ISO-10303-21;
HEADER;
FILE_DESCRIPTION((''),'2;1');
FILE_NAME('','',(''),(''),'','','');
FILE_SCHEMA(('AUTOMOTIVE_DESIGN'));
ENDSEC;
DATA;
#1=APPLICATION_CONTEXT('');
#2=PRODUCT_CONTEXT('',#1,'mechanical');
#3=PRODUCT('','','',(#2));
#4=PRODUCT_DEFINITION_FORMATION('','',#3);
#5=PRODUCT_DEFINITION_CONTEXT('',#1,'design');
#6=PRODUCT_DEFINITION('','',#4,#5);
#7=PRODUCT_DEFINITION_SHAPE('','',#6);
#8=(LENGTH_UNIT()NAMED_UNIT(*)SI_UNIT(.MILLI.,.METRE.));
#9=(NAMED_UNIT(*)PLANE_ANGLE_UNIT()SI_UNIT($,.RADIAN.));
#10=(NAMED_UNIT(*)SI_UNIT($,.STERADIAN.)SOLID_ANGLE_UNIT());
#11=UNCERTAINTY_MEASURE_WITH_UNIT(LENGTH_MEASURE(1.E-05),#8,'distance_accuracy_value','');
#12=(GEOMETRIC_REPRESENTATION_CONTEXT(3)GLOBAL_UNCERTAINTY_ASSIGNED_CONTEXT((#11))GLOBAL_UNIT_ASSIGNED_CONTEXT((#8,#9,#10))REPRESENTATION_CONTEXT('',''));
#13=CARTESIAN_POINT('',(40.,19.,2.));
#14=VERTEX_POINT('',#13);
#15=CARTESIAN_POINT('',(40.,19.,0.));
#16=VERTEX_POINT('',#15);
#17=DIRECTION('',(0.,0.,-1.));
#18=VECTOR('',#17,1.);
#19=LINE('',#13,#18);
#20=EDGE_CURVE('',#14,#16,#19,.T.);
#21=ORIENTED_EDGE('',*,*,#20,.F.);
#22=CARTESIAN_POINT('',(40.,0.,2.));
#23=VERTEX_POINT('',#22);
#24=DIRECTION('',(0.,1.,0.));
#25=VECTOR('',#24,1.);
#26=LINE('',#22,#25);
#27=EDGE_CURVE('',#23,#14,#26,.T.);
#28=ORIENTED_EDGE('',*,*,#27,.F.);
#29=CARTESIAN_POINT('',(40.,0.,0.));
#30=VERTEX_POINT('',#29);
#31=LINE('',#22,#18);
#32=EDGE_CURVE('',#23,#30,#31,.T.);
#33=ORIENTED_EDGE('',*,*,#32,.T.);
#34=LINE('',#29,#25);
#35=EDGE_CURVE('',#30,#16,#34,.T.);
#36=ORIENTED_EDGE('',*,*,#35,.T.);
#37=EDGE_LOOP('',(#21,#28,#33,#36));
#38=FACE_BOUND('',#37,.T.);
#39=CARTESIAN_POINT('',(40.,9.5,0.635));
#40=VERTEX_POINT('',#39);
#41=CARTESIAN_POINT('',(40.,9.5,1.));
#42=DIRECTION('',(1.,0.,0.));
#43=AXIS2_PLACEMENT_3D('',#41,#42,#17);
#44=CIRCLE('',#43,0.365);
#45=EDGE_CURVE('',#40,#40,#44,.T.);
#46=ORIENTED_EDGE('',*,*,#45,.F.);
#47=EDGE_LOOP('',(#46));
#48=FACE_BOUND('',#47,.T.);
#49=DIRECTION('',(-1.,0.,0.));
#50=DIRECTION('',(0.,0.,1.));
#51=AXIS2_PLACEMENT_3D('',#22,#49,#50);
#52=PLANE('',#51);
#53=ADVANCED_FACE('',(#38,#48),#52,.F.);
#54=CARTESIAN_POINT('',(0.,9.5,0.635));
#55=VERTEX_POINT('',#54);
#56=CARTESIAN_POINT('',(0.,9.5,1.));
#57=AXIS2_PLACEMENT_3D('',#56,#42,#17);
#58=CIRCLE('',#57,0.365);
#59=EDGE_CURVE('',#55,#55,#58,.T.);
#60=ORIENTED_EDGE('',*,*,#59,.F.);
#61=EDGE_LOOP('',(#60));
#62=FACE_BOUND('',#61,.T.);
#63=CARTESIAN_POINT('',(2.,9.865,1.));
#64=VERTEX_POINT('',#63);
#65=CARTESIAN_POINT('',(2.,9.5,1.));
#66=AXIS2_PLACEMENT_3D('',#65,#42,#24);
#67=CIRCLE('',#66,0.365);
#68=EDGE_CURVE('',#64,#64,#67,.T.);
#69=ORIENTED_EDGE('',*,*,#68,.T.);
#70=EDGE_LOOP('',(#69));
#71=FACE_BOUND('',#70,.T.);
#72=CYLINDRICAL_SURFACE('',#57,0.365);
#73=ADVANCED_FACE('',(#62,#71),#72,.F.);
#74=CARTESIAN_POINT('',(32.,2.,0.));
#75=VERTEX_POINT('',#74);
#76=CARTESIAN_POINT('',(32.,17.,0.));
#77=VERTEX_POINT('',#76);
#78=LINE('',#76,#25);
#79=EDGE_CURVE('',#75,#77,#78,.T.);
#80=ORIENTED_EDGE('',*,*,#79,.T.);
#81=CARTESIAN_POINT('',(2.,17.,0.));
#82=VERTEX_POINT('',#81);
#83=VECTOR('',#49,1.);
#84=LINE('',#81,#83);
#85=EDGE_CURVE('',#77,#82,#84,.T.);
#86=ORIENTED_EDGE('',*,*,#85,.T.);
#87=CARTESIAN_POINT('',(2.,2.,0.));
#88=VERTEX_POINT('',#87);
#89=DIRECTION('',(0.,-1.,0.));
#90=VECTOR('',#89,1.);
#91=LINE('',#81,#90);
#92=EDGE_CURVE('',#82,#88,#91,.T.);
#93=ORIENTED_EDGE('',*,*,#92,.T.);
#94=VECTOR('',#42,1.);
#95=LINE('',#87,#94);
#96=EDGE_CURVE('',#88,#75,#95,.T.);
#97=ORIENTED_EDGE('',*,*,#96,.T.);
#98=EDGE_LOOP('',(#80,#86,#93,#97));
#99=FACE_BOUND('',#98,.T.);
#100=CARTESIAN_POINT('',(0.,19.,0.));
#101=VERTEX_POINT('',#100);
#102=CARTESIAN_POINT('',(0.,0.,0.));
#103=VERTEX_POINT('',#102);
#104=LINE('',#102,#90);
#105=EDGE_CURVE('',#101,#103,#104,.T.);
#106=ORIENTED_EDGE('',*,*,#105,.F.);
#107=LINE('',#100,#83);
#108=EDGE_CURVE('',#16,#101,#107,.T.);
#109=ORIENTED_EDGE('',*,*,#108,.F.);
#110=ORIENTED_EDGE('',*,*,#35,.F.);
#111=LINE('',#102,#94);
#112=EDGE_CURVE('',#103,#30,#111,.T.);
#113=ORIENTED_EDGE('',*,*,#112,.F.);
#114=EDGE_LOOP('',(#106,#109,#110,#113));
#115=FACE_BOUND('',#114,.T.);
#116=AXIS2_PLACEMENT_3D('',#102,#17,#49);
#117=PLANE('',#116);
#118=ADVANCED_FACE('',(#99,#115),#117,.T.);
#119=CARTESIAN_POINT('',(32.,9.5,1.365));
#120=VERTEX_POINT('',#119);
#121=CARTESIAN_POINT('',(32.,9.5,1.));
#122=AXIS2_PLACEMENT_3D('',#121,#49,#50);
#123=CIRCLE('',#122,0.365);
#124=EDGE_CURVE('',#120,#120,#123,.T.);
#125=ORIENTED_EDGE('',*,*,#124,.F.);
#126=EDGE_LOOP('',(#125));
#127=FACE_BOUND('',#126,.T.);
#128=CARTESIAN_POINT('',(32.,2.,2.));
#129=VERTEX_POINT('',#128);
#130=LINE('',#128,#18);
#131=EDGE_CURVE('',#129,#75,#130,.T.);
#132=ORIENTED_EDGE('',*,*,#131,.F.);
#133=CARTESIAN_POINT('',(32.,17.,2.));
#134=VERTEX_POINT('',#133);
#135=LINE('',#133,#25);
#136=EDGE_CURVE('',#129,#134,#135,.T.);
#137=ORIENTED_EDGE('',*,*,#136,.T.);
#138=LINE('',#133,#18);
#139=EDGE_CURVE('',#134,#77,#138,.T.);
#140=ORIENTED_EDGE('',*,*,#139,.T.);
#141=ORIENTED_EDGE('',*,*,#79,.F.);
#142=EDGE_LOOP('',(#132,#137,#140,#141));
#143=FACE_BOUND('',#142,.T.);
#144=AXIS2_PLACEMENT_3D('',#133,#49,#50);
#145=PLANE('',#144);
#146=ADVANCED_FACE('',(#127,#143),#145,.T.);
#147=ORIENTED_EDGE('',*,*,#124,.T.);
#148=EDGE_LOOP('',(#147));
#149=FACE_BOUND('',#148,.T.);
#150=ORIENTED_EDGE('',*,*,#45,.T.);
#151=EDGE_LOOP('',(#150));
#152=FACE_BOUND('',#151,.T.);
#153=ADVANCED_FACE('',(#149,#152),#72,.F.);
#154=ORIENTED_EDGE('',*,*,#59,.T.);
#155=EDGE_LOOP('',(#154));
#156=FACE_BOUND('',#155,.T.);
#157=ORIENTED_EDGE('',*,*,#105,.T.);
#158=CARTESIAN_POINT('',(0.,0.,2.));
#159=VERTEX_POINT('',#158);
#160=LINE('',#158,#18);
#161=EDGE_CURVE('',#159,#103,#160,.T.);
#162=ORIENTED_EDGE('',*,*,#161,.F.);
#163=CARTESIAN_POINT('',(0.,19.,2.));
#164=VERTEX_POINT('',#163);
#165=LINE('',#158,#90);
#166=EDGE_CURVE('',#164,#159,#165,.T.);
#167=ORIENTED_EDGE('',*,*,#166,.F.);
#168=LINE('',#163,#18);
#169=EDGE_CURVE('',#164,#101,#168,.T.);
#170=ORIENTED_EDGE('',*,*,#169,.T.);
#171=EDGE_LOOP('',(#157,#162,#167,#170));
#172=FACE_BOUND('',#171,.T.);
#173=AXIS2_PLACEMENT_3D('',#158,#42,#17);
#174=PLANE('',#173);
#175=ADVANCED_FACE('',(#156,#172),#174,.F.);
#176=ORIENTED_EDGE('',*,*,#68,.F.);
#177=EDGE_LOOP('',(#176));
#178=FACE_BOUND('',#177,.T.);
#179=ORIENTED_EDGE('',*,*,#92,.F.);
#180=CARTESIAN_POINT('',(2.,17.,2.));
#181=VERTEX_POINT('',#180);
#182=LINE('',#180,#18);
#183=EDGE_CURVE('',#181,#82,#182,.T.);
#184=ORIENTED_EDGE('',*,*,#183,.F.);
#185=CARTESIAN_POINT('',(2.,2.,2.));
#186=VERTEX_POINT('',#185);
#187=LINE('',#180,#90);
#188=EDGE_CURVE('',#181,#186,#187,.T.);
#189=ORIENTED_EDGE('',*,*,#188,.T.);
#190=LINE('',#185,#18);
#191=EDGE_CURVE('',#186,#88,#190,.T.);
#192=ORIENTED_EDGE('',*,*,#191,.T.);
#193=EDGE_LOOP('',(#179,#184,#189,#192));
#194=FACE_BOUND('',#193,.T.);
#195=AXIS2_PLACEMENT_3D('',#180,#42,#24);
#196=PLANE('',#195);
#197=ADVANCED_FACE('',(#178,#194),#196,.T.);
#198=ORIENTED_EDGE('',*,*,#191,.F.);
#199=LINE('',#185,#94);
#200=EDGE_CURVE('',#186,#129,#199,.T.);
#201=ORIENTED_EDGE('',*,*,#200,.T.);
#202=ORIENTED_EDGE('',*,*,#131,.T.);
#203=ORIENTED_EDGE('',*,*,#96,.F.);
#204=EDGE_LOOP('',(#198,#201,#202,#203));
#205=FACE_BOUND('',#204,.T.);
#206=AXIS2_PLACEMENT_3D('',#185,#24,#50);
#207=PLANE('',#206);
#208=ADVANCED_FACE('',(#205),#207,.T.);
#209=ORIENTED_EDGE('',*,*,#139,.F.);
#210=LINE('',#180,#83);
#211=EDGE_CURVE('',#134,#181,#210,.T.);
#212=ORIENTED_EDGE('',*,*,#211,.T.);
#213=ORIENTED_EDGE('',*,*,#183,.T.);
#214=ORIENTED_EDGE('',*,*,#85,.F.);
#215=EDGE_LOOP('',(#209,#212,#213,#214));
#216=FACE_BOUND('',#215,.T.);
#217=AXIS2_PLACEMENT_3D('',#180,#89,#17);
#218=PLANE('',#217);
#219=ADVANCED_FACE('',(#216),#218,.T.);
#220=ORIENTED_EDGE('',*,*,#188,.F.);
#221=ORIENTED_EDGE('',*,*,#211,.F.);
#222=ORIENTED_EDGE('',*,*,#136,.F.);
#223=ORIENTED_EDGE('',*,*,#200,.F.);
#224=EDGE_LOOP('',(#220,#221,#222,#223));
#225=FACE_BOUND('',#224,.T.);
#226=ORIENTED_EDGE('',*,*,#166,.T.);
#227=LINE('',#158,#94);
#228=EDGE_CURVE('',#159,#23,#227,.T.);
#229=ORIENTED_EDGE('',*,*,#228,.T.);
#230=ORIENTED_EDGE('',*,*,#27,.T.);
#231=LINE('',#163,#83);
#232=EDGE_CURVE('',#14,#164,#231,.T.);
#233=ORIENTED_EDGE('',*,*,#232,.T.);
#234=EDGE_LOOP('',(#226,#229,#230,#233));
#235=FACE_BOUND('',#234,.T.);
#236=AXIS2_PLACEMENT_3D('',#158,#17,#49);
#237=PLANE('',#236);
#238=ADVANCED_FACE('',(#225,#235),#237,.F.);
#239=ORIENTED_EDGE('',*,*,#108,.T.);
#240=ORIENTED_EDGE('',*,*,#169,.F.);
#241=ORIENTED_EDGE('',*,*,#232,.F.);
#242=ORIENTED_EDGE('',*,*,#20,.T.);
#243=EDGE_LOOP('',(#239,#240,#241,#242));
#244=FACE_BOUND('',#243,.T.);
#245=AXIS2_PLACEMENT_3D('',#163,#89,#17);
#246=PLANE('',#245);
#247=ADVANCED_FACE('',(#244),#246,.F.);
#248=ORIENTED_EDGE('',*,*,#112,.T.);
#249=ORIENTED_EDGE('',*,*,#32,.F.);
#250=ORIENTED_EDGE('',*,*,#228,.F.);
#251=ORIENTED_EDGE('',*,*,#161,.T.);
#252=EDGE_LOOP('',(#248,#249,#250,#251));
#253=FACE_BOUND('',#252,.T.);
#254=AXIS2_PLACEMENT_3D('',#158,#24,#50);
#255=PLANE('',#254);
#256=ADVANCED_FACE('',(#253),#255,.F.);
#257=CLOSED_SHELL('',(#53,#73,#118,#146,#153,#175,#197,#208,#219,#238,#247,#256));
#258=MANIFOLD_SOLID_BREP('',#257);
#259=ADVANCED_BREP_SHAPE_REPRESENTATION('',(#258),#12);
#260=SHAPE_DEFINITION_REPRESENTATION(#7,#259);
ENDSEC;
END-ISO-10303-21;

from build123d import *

# Parameters (mm, degrees)
SKETCH1_W           = 40
SKETCH1_H           = 19
SKETCH1_W_2         = 30
SKETCH1_H_2         = 15
BOSS_EXTRUDE1_DEPTH = 2
SKETCH2_R           = 0.365
CUT_EXTRUDE1_DEPTH  = 41


with BuildPart() as part:
    # Sketch1 → Boss-Extrude1 (new body)
    with BuildSketch(Plane.XY):
        with Locations((20, 9.5)):
            Rectangle(SKETCH1_W, SKETCH1_H)
        with Locations((17, 9.5)):
            Rectangle(SKETCH1_W_2, SKETCH1_H_2, mode=Mode.SUBTRACT)
    extrude(amount=BOSS_EXTRUDE1_DEPTH)

    # Sketch2 → Cut-Extrude1 (cut, through all)
    with BuildSketch(Plane(origin=(40, 0, 0), x_dir=(0, 0, -1), z_dir=(1, 0, 0))):
        with Locations((-1, 9.5)):
            Circle(SKETCH2_R)
    extrude(amount=-CUT_EXTRUDE1_DEPTH, mode=Mode.SUBTRACT)


solid = part.part
